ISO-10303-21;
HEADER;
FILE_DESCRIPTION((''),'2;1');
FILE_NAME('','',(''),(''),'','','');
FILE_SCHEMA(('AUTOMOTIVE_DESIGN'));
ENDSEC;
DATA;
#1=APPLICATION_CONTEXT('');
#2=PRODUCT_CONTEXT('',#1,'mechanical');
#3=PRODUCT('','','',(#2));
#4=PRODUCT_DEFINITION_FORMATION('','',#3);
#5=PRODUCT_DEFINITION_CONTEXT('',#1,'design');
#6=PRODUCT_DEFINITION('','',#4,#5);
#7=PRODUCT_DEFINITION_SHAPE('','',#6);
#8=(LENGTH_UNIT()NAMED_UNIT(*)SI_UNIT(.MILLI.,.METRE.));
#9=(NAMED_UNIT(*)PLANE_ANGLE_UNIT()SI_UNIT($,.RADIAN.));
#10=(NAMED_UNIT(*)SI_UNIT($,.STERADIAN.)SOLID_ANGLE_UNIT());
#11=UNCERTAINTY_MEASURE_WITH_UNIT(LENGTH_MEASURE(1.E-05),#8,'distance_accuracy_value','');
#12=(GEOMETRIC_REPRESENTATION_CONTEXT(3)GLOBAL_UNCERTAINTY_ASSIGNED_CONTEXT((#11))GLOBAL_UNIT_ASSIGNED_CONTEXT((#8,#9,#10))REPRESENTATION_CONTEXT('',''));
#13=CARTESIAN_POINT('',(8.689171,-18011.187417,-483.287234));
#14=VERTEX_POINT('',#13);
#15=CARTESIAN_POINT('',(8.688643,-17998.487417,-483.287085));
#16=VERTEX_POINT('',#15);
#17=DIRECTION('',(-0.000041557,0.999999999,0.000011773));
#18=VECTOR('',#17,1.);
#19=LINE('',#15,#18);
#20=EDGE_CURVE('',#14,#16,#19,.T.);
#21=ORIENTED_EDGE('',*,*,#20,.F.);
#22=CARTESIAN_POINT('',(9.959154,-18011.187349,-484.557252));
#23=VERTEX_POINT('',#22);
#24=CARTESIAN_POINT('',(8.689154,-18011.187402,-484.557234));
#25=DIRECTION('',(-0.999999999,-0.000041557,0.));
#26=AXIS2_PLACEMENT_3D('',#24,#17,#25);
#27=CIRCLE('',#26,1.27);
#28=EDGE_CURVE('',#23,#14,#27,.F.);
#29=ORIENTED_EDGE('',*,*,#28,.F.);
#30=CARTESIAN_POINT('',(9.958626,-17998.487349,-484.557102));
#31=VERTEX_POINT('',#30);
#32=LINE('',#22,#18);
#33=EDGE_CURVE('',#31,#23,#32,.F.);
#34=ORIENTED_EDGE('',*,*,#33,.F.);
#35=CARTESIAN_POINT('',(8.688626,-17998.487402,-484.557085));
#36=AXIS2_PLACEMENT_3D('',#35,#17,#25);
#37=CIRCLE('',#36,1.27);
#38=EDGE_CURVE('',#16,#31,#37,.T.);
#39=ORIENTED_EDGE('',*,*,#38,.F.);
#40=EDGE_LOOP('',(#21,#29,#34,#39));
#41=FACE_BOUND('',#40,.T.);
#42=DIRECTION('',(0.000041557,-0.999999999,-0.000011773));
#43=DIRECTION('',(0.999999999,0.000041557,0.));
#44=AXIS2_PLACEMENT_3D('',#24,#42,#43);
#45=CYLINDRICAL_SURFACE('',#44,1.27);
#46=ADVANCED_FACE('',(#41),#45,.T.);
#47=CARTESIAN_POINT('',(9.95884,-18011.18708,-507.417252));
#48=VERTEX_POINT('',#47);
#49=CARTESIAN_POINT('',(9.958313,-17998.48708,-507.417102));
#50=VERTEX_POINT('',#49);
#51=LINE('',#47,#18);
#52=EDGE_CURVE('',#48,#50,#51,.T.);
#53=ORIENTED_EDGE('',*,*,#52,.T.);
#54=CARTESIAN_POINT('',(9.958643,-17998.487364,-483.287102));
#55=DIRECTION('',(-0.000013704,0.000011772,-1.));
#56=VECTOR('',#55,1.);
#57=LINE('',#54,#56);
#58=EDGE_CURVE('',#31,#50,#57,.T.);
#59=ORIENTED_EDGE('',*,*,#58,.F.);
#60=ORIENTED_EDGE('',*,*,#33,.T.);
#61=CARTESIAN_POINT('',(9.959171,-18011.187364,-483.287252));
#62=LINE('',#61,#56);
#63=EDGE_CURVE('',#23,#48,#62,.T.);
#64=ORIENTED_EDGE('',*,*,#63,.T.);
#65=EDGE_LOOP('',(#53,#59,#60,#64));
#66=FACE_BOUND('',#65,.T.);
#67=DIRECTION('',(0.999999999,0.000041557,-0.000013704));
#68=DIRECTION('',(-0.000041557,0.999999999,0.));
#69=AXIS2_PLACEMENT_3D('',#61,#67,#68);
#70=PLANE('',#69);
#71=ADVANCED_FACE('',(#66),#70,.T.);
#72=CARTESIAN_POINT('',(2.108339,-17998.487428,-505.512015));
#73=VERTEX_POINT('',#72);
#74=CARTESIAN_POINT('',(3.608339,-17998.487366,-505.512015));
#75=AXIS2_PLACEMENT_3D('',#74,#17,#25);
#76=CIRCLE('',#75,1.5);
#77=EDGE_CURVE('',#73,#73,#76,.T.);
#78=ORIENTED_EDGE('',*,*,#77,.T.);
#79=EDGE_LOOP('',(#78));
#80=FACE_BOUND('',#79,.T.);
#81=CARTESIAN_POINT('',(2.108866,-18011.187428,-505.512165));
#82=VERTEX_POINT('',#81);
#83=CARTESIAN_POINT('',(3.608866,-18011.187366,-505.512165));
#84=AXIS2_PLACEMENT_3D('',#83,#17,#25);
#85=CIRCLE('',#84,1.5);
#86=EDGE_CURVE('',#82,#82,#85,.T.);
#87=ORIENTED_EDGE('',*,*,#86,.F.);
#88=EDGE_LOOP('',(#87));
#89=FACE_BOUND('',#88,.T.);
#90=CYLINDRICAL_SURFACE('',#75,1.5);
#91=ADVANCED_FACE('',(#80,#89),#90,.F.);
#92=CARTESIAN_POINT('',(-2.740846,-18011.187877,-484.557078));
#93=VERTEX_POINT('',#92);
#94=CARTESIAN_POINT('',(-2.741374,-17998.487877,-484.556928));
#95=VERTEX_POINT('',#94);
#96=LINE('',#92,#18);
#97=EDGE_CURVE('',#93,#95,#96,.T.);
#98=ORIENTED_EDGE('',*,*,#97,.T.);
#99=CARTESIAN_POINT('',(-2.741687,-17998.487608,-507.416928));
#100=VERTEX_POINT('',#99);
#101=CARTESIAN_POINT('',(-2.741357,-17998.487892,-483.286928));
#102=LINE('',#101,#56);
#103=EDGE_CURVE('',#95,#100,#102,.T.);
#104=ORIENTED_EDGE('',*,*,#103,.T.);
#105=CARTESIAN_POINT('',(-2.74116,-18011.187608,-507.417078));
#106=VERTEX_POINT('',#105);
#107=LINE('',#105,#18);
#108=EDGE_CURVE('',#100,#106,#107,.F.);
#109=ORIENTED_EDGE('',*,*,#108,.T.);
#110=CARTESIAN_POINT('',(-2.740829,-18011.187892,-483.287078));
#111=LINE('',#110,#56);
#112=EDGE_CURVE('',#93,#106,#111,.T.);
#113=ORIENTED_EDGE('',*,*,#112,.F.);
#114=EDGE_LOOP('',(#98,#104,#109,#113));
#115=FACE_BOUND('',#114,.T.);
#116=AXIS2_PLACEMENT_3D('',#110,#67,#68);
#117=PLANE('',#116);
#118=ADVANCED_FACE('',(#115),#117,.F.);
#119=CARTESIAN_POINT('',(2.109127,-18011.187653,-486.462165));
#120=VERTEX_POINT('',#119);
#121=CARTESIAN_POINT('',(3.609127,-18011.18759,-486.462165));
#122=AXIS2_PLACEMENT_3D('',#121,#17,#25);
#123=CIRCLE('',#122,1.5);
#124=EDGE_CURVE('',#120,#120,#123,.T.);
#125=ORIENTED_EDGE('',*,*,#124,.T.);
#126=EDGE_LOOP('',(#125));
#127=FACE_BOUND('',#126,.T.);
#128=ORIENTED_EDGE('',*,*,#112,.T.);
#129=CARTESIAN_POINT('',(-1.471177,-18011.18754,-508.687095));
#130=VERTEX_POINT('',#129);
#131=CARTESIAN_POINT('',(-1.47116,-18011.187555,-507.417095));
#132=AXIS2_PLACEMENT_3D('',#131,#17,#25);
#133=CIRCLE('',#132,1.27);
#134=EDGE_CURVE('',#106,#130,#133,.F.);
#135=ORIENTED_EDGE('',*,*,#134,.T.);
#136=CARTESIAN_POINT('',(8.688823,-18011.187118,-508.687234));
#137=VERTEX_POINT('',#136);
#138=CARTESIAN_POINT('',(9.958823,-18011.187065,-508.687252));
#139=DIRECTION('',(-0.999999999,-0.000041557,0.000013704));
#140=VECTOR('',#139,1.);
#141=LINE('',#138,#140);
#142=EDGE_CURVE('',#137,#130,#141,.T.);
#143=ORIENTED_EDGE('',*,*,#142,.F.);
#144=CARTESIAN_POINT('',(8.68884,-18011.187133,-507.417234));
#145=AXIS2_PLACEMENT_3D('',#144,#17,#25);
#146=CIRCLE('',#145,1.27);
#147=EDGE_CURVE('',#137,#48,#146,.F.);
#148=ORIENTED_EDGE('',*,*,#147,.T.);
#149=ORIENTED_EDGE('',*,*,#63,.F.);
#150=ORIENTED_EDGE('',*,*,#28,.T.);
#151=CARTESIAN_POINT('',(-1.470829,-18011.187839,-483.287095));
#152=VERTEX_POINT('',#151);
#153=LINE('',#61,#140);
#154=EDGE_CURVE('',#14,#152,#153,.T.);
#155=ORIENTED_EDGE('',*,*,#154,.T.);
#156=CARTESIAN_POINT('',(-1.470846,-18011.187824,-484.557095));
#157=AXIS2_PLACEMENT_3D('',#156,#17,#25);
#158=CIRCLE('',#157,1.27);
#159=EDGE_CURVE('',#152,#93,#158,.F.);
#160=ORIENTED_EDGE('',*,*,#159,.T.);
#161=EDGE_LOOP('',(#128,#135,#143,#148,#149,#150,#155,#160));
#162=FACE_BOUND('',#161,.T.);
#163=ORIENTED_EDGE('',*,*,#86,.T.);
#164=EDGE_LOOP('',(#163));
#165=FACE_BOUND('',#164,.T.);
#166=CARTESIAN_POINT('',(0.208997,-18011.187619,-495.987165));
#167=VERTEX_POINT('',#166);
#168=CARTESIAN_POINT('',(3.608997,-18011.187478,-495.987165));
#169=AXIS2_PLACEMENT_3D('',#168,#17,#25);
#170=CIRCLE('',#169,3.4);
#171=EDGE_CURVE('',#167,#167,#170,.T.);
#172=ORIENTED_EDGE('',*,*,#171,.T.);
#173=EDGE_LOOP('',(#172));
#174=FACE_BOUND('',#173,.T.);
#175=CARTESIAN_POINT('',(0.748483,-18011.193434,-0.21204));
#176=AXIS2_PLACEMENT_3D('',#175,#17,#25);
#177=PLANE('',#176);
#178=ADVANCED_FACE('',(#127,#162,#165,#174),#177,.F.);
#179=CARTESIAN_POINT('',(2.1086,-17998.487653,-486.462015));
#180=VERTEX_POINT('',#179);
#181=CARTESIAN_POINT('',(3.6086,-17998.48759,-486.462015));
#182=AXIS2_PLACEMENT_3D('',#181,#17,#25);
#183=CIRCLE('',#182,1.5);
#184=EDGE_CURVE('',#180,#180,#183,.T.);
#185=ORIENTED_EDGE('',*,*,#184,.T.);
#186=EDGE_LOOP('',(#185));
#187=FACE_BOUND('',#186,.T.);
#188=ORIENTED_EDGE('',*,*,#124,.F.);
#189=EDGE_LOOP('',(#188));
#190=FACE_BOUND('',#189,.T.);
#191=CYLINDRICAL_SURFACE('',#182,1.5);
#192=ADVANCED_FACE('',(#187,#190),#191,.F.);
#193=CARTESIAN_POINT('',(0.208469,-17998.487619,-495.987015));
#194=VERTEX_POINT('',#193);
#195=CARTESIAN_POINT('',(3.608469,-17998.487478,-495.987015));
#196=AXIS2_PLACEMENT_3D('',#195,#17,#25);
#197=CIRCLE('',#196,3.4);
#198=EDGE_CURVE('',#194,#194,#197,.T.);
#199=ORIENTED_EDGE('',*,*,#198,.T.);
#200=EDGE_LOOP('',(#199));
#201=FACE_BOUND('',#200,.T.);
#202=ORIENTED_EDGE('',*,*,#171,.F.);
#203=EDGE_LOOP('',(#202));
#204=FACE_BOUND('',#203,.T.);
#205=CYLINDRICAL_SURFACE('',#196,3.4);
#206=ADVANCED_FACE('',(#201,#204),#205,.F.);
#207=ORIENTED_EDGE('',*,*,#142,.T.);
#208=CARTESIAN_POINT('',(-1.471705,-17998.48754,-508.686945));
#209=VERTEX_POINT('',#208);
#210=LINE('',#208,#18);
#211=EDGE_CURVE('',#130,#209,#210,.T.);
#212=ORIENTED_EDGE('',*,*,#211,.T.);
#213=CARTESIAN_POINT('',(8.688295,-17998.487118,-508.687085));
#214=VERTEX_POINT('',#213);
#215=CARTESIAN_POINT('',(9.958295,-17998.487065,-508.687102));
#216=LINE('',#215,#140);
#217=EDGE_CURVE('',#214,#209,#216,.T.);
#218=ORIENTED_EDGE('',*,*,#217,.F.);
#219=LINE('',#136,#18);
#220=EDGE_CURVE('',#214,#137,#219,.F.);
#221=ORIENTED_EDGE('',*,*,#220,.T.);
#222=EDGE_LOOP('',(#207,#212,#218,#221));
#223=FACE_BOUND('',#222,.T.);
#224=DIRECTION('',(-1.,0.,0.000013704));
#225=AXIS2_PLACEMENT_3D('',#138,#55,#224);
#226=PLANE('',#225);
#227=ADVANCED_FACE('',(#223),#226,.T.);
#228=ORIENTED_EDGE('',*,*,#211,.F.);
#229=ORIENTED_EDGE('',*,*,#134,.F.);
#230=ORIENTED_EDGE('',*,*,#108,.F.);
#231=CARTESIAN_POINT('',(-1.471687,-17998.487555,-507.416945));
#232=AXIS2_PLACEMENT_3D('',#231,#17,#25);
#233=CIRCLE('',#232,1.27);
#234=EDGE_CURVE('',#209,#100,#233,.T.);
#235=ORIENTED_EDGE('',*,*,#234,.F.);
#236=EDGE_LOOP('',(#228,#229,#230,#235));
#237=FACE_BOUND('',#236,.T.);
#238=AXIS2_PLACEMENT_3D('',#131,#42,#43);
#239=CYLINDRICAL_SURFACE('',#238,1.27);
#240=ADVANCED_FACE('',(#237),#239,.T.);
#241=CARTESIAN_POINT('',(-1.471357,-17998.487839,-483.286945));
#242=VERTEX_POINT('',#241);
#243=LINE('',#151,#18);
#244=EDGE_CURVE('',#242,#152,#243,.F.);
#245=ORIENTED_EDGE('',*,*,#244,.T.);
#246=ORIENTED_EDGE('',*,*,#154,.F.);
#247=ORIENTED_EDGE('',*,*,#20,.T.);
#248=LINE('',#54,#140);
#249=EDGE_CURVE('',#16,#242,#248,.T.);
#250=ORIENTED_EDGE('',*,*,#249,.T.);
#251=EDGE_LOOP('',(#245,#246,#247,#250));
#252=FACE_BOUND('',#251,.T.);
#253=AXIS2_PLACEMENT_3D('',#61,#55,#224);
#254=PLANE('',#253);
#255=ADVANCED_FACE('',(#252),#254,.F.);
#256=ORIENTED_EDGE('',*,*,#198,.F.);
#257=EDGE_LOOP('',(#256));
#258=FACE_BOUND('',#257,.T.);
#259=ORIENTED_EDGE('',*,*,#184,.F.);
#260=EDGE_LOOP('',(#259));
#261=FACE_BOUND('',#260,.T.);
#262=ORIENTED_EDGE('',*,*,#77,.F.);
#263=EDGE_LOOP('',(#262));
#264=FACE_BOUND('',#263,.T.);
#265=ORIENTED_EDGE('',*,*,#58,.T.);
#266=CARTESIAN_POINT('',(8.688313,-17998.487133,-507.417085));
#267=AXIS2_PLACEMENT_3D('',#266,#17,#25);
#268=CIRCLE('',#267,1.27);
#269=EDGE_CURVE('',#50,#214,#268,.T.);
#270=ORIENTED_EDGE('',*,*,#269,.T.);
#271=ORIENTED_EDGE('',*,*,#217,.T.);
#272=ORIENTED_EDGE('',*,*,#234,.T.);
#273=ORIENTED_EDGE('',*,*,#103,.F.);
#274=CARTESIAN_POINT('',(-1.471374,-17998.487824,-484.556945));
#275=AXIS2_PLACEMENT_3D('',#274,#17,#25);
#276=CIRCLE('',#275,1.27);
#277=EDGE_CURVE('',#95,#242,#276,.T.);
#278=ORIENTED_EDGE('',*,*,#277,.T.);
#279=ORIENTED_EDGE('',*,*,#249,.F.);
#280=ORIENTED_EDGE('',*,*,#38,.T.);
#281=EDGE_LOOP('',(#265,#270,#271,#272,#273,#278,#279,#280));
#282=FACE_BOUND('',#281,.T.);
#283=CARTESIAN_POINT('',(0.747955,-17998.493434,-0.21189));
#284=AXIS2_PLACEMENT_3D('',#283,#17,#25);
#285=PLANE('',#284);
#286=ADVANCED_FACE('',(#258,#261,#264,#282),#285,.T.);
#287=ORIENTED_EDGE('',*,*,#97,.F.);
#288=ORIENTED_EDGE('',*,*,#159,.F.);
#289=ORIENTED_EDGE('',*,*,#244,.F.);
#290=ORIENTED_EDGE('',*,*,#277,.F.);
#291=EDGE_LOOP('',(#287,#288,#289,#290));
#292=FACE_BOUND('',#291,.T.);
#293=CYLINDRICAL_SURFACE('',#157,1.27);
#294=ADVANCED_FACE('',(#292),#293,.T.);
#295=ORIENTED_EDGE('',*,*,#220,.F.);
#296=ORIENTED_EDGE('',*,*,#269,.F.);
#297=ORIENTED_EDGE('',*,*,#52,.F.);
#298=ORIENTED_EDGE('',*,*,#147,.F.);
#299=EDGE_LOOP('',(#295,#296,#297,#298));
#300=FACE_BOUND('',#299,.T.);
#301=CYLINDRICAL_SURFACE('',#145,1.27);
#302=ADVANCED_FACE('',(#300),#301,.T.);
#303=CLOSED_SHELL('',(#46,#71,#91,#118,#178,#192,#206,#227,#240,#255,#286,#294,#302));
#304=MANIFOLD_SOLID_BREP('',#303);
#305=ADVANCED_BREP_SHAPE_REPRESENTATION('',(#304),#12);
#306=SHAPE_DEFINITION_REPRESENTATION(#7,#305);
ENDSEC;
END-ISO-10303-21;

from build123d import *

# Parameters (mm, degrees)
SKETCH2_W                = 12.7
SKETCH2_H                = 25.4
BOSS_EXTRUDE1_DEPTH      = 12.7
FILLET1_R                = 1.27
M8_TAPPED_HOLE1_D        = 6.8
M8_TAPPED_HOLE1_DEPTH    = 22.352
M8_TAPPED_HOLE1_TIP      = 2.042926105
F_3_0_3_DIAMETER_HOLE1_D = 3


with BuildPart() as part:
    # Sketch2 → Boss-Extrude1 (new body)
    with BuildSketch(Plane(origin=(0.747955349, -17998.493433647, -0.21189001), x_dir=(0.9999999990426253, 4.1556714470297764e-05, -1.3703612374546656e-05), z_dir=(4.155655314345303e-05, -0.9999999990672288, -1.1772652539431076e-05))):
        with Locations((2.867307998, -495.77508586)):
            Rectangle(SKETCH2_W, SKETCH2_H)
    extrude(amount=BOSS_EXTRUDE1_DEPTH)

    # Fillet1
    fillet1_edges = [part.edges().sort_by_distance(p)[0] for p in [
        (9.958907112, -18004.8373638, -483.287176858),
        (-2.741092876, -18004.83789157, -483.287002822),
        (-2.74144096, -18004.837592559, -508.687002818),
        (9.958559027, -18004.837064789, -508.687176854),
    ]]
    fillet(fillet1_edges, radius=FILLET1_R)

    # M8 Tapped Hole1
    with Locations(Plane(origin=(0.747955347, -17998.493433647, -0.21189001), x_dir=(0.9999999991365266, 4.155655299545149e-05, 4.892308607553357e-10), z_dir=(-4.155655299833127e-05, 0.9999999990672289, 1.177265256703421e-05))):
        with Locations((2.860513847, 495.775125107)):
            Hole(M8_TAPPED_HOLE1_D / 2, depth=M8_TAPPED_HOLE1_DEPTH)
            with Locations((0, 0, -(M8_TAPPED_HOLE1_DEPTH + M8_TAPPED_HOLE1_TIP / 2))):  # 118° drill point
                Cone(0, M8_TAPPED_HOLE1_D / 2, M8_TAPPED_HOLE1_TIP, mode=Mode.SUBTRACT)

    # Ø3.0 (3) Diameter Hole1 (through all)
    with Locations(Plane(origin=(0.747955347, -17998.493433647, -0.21189001), x_dir=(0.9999999991365266, 4.155655299545149e-05, 4.892308607553357e-10), z_dir=(-4.155655299833127e-05, 0.9999999990672289, 1.177265256703421e-05))):
        with Locations((2.860644379, 486.250125108), (2.860383315, 505.300125107)):
            Hole(F_3_0_3_DIAMETER_HOLE1_D / 2)


solid = part.part
